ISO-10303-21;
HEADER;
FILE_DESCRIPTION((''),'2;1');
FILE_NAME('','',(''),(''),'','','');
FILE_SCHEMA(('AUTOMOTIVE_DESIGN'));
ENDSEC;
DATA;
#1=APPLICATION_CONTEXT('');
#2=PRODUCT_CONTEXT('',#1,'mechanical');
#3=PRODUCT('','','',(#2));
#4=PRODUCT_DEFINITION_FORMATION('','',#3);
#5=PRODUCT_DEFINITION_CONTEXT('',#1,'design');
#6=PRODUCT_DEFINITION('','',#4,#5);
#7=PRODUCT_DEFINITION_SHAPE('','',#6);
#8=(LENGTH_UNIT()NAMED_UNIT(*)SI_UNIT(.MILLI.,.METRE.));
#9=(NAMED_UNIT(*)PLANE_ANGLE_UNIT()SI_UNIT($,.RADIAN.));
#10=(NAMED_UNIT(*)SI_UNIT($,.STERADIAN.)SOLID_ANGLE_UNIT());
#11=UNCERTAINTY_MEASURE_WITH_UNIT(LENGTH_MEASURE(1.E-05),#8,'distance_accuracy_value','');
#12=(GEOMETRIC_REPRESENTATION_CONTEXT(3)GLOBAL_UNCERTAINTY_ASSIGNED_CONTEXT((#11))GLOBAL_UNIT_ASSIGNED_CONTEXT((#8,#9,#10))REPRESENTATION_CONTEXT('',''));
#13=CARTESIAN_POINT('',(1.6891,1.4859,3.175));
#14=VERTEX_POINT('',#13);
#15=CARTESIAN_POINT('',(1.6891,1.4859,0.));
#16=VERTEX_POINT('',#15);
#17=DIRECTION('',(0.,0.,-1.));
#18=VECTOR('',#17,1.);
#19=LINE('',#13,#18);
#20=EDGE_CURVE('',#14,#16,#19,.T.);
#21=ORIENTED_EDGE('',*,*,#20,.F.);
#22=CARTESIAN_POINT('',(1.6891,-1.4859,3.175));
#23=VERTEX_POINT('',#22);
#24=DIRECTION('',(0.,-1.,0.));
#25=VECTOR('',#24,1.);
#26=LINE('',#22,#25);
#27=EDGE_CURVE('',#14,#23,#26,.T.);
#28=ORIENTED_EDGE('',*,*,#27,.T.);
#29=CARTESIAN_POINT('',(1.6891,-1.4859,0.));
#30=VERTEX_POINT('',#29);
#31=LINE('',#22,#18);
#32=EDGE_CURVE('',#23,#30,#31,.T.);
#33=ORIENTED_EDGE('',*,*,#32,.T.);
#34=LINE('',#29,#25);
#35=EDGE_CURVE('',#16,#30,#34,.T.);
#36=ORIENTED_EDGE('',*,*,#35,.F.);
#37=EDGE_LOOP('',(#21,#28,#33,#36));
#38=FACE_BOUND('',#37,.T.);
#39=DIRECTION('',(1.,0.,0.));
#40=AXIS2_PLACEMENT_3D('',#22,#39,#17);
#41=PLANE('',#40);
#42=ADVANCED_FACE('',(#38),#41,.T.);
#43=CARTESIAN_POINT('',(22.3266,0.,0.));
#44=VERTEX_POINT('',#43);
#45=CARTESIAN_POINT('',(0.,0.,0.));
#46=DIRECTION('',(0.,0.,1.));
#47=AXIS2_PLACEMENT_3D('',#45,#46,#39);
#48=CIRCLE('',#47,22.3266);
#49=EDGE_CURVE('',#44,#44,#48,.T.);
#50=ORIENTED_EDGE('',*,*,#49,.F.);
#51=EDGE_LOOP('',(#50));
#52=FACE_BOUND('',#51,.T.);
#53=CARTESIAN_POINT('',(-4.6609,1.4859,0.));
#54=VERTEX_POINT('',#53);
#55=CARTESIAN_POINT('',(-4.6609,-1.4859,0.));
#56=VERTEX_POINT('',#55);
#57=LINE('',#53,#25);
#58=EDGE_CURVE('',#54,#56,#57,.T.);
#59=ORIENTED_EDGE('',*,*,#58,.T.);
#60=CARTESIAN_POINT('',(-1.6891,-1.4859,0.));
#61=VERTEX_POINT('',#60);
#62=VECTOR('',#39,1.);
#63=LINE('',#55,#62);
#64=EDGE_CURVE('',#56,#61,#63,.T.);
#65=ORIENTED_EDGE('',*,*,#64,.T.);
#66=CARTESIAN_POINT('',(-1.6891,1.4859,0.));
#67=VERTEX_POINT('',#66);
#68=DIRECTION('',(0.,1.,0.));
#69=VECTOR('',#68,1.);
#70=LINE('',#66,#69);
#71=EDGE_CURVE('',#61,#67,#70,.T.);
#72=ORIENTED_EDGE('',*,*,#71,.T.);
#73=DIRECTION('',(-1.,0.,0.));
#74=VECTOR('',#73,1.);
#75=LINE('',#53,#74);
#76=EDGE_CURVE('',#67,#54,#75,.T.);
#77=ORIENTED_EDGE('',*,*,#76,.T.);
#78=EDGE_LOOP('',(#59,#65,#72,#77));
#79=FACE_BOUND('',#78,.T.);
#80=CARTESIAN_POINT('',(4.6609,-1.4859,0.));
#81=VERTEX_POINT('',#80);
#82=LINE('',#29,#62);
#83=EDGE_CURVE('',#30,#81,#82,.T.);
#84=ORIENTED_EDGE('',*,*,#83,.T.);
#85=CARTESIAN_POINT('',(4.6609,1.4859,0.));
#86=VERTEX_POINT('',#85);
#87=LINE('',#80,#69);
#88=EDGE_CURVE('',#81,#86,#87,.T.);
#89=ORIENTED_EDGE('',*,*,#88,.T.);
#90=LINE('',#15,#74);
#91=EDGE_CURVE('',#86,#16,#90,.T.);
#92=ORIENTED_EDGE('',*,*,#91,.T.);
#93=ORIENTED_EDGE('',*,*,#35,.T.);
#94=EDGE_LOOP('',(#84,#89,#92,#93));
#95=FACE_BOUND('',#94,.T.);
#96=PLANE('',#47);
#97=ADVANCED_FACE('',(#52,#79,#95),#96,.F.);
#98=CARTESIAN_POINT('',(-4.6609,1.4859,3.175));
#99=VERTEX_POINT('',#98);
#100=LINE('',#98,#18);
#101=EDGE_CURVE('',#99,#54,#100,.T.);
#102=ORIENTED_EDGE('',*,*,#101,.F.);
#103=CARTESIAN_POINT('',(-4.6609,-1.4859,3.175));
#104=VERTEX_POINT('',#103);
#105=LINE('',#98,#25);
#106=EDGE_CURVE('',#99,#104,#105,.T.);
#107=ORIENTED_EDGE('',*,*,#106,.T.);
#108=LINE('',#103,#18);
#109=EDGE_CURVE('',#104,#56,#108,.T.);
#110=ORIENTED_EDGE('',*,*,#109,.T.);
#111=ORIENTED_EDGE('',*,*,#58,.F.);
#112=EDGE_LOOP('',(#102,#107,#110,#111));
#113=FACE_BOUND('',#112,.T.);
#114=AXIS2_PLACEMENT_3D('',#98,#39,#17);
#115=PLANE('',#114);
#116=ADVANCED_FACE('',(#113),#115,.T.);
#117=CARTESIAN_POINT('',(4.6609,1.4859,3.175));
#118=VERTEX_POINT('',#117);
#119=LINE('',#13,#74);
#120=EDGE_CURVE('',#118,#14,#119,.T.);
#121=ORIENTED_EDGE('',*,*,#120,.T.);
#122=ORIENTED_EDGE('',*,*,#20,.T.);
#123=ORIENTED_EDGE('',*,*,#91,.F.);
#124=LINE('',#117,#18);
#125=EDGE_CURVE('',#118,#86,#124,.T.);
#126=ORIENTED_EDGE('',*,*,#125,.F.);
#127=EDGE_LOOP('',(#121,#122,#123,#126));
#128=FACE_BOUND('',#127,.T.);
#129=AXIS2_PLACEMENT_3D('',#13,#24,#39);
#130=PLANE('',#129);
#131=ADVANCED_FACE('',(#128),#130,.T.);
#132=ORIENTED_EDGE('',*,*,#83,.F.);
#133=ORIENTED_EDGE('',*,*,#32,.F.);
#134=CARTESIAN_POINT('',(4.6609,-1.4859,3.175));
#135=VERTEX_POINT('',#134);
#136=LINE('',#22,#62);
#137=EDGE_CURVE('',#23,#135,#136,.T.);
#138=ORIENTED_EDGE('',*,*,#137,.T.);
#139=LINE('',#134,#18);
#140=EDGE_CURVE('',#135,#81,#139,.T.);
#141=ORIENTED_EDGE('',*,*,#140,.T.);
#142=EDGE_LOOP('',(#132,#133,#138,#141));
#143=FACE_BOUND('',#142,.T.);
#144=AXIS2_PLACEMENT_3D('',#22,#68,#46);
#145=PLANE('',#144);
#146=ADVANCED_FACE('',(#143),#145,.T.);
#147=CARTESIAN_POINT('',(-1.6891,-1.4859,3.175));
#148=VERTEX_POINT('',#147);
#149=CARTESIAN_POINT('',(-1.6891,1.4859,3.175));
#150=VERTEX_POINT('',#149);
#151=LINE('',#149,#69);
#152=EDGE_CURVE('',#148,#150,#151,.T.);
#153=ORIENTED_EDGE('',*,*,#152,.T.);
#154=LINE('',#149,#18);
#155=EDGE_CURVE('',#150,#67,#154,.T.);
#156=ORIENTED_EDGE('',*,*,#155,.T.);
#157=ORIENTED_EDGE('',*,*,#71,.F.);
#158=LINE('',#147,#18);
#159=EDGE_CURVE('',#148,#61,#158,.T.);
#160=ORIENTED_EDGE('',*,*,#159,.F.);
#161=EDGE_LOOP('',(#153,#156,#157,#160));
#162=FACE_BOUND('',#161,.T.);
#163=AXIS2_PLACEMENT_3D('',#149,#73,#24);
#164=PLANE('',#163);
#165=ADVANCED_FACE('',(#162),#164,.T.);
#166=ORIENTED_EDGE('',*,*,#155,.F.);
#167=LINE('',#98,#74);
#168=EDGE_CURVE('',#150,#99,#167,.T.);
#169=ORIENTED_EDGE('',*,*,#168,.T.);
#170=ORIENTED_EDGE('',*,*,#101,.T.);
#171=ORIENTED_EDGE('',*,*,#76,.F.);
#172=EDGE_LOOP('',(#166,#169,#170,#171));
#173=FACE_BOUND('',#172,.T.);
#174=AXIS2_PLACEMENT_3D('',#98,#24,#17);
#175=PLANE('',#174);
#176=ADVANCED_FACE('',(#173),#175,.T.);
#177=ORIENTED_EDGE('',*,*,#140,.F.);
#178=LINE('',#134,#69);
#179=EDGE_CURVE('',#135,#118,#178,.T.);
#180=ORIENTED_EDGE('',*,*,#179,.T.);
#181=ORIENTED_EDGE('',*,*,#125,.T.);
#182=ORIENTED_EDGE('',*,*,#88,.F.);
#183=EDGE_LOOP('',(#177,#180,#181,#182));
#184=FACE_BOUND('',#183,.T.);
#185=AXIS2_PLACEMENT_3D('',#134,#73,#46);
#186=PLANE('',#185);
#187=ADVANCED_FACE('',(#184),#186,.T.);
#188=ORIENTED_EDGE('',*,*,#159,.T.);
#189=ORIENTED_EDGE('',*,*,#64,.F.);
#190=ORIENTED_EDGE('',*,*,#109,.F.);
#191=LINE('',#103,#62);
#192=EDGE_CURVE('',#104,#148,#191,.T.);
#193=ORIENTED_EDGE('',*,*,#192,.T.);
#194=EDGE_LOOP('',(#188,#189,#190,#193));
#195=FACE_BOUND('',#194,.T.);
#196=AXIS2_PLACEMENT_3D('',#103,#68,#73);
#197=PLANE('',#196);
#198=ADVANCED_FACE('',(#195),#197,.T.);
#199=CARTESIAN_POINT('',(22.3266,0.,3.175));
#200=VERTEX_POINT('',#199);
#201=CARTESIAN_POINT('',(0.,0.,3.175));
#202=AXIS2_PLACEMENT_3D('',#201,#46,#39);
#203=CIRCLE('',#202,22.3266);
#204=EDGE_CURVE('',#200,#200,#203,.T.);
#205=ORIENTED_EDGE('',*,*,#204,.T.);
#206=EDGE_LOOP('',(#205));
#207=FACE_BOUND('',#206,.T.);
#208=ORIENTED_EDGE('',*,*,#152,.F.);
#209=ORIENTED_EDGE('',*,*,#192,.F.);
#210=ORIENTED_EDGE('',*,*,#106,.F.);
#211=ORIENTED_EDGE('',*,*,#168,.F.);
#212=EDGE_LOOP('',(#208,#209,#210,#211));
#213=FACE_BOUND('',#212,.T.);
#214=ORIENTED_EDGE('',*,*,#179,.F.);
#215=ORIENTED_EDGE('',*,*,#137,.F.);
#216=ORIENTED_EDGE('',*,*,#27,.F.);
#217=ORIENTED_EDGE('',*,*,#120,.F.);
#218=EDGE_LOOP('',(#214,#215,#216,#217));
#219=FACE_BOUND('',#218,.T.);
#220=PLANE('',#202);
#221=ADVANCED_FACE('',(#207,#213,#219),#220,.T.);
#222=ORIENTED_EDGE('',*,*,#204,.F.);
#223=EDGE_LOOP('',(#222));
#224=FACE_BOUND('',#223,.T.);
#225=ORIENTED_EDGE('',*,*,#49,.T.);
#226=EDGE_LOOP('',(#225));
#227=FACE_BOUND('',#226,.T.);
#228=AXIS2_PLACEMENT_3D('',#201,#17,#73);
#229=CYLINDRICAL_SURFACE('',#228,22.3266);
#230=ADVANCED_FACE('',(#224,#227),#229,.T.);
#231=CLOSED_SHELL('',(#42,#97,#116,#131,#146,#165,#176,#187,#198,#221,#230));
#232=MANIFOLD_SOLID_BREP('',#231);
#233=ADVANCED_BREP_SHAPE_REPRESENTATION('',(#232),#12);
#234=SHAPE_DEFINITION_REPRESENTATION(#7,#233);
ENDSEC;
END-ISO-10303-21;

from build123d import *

# Parameters (mm, degrees)
SKETCH1_R           = 22.3266
SKETCH1_W           = 2.9718
SKETCH1_H           = 2.9718
BOSS_EXTRUDE1_DEPTH = 3.175


with BuildPart() as part:
    # Sketch1 → Boss-Extrude1 (new body)
    with BuildSketch(Plane.XY):
        Circle(SKETCH1_R)
        with Locations((-3.175, 0)):
            Rectangle(SKETCH1_W, SKETCH1_H, mode=Mode.SUBTRACT)
        with Locations((3.175, 0)):
            Rectangle(SKETCH1_W, SKETCH1_H, mode=Mode.SUBTRACT)
    extrude(amount=BOSS_EXTRUDE1_DEPTH)


solid = part.part
